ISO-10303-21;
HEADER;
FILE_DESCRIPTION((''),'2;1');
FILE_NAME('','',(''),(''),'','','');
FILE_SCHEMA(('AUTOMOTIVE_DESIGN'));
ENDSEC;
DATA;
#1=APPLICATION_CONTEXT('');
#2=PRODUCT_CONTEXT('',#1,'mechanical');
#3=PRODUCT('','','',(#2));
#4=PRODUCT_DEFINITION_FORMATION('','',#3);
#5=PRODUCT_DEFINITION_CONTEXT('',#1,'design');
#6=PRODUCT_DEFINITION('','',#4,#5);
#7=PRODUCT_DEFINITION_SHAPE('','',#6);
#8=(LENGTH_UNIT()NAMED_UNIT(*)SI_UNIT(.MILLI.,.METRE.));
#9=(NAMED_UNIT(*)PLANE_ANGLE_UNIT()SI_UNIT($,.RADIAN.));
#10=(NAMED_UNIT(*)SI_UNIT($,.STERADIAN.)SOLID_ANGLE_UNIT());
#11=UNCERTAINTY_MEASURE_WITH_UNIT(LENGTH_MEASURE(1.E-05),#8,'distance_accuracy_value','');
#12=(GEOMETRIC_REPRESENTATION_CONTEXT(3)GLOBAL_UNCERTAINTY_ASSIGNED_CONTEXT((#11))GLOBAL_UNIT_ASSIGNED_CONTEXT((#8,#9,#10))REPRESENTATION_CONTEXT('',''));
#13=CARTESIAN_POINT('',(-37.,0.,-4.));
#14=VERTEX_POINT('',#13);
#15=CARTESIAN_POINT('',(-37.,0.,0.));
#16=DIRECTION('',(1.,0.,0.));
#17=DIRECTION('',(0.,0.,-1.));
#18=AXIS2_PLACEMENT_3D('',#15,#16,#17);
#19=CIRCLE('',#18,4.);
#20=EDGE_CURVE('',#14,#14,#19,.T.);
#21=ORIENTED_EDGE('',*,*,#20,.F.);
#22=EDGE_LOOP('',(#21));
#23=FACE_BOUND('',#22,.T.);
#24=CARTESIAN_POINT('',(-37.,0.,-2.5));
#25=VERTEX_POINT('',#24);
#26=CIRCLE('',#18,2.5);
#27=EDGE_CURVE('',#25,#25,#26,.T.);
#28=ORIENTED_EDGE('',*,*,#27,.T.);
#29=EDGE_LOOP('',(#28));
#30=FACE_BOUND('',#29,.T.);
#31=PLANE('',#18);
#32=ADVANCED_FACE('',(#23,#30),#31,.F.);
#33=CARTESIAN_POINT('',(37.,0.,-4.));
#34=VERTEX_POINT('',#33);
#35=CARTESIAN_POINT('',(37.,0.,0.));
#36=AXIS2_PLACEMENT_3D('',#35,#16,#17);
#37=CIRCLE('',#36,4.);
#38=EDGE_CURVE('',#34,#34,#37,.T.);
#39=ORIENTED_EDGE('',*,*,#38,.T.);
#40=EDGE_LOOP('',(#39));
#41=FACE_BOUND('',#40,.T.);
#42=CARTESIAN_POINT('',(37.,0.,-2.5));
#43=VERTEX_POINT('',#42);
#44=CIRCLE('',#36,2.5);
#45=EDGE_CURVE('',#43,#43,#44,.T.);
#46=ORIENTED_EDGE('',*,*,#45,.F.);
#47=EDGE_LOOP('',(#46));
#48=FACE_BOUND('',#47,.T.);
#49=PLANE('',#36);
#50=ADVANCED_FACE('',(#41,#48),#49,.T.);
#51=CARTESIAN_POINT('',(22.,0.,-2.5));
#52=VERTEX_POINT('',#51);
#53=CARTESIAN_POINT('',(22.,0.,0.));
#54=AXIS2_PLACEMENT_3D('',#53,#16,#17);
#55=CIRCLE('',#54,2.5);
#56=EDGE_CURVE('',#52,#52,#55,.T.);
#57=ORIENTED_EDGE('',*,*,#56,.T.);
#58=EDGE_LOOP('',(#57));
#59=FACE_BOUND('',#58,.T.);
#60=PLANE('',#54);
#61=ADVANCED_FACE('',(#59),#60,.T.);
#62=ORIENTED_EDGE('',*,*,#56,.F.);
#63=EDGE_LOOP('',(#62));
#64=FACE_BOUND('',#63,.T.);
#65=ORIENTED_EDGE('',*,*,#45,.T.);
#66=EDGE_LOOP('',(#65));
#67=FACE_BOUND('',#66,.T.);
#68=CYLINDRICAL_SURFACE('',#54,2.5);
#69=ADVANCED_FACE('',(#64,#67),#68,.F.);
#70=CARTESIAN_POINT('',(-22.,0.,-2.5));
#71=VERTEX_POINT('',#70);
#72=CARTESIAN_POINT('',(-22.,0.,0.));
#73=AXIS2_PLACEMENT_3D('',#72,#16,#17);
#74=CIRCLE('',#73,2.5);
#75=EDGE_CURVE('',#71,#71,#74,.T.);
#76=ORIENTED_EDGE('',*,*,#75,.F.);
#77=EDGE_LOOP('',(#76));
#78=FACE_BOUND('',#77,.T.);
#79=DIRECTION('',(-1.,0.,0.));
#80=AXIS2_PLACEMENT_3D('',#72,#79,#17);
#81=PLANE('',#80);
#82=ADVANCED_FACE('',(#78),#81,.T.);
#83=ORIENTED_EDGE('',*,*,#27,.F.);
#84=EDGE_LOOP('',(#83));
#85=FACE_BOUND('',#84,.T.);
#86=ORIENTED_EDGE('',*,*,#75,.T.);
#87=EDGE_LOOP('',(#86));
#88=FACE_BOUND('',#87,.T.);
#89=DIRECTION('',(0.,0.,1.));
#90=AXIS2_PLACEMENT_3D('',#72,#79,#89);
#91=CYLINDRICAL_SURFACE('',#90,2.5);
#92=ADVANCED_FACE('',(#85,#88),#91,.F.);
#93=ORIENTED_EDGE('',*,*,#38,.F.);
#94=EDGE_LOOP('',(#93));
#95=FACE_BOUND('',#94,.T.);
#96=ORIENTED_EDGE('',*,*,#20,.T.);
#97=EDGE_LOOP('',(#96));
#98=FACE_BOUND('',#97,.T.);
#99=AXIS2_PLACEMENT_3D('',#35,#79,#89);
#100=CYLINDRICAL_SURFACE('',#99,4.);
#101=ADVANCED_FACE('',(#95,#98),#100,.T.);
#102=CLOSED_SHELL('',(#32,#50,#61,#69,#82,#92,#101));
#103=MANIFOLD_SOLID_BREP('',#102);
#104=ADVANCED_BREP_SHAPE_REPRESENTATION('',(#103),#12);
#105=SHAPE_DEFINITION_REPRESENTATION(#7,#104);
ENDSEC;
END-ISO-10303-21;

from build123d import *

# Parameters (mm, degrees)
SKETCH1_R           = 4
BOSS_EXTRUDE1_DEPTH = 37
SKETCH2_R           = 2.5
CUT_EXTRUDE1_DEPTH  = 15


with BuildPart() as part:
    # Sketch1 → Boss-Extrude1 (new, symmetric)
    with BuildSketch(Plane(origin=(0, 0, 0), x_dir=(0, 0, -1), z_dir=(1, 0, 0))):
        Circle(SKETCH1_R)
    extrude(amount=BOSS_EXTRUDE1_DEPTH, both=True)

    # Sketch2 → Cut-Extrude1 (cut)
    with BuildSketch(Plane(origin=(37, 0, 0), x_dir=(0, 0, -1), z_dir=(1, 0, 0))):
        Circle(SKETCH2_R)
    cut_extrude1 = extrude(amount=-CUT_EXTRUDE1_DEPTH, mode=Mode.SUBTRACT)

    # Mirror1: Cut-Extrude1 across plane
    add(cut_extrude1.mirror(Plane(origin=(0, 0, 0), x_dir=(0, 0, 1), z_dir=(1, 0, 0))), mode=Mode.SUBTRACT)


solid = part.part
